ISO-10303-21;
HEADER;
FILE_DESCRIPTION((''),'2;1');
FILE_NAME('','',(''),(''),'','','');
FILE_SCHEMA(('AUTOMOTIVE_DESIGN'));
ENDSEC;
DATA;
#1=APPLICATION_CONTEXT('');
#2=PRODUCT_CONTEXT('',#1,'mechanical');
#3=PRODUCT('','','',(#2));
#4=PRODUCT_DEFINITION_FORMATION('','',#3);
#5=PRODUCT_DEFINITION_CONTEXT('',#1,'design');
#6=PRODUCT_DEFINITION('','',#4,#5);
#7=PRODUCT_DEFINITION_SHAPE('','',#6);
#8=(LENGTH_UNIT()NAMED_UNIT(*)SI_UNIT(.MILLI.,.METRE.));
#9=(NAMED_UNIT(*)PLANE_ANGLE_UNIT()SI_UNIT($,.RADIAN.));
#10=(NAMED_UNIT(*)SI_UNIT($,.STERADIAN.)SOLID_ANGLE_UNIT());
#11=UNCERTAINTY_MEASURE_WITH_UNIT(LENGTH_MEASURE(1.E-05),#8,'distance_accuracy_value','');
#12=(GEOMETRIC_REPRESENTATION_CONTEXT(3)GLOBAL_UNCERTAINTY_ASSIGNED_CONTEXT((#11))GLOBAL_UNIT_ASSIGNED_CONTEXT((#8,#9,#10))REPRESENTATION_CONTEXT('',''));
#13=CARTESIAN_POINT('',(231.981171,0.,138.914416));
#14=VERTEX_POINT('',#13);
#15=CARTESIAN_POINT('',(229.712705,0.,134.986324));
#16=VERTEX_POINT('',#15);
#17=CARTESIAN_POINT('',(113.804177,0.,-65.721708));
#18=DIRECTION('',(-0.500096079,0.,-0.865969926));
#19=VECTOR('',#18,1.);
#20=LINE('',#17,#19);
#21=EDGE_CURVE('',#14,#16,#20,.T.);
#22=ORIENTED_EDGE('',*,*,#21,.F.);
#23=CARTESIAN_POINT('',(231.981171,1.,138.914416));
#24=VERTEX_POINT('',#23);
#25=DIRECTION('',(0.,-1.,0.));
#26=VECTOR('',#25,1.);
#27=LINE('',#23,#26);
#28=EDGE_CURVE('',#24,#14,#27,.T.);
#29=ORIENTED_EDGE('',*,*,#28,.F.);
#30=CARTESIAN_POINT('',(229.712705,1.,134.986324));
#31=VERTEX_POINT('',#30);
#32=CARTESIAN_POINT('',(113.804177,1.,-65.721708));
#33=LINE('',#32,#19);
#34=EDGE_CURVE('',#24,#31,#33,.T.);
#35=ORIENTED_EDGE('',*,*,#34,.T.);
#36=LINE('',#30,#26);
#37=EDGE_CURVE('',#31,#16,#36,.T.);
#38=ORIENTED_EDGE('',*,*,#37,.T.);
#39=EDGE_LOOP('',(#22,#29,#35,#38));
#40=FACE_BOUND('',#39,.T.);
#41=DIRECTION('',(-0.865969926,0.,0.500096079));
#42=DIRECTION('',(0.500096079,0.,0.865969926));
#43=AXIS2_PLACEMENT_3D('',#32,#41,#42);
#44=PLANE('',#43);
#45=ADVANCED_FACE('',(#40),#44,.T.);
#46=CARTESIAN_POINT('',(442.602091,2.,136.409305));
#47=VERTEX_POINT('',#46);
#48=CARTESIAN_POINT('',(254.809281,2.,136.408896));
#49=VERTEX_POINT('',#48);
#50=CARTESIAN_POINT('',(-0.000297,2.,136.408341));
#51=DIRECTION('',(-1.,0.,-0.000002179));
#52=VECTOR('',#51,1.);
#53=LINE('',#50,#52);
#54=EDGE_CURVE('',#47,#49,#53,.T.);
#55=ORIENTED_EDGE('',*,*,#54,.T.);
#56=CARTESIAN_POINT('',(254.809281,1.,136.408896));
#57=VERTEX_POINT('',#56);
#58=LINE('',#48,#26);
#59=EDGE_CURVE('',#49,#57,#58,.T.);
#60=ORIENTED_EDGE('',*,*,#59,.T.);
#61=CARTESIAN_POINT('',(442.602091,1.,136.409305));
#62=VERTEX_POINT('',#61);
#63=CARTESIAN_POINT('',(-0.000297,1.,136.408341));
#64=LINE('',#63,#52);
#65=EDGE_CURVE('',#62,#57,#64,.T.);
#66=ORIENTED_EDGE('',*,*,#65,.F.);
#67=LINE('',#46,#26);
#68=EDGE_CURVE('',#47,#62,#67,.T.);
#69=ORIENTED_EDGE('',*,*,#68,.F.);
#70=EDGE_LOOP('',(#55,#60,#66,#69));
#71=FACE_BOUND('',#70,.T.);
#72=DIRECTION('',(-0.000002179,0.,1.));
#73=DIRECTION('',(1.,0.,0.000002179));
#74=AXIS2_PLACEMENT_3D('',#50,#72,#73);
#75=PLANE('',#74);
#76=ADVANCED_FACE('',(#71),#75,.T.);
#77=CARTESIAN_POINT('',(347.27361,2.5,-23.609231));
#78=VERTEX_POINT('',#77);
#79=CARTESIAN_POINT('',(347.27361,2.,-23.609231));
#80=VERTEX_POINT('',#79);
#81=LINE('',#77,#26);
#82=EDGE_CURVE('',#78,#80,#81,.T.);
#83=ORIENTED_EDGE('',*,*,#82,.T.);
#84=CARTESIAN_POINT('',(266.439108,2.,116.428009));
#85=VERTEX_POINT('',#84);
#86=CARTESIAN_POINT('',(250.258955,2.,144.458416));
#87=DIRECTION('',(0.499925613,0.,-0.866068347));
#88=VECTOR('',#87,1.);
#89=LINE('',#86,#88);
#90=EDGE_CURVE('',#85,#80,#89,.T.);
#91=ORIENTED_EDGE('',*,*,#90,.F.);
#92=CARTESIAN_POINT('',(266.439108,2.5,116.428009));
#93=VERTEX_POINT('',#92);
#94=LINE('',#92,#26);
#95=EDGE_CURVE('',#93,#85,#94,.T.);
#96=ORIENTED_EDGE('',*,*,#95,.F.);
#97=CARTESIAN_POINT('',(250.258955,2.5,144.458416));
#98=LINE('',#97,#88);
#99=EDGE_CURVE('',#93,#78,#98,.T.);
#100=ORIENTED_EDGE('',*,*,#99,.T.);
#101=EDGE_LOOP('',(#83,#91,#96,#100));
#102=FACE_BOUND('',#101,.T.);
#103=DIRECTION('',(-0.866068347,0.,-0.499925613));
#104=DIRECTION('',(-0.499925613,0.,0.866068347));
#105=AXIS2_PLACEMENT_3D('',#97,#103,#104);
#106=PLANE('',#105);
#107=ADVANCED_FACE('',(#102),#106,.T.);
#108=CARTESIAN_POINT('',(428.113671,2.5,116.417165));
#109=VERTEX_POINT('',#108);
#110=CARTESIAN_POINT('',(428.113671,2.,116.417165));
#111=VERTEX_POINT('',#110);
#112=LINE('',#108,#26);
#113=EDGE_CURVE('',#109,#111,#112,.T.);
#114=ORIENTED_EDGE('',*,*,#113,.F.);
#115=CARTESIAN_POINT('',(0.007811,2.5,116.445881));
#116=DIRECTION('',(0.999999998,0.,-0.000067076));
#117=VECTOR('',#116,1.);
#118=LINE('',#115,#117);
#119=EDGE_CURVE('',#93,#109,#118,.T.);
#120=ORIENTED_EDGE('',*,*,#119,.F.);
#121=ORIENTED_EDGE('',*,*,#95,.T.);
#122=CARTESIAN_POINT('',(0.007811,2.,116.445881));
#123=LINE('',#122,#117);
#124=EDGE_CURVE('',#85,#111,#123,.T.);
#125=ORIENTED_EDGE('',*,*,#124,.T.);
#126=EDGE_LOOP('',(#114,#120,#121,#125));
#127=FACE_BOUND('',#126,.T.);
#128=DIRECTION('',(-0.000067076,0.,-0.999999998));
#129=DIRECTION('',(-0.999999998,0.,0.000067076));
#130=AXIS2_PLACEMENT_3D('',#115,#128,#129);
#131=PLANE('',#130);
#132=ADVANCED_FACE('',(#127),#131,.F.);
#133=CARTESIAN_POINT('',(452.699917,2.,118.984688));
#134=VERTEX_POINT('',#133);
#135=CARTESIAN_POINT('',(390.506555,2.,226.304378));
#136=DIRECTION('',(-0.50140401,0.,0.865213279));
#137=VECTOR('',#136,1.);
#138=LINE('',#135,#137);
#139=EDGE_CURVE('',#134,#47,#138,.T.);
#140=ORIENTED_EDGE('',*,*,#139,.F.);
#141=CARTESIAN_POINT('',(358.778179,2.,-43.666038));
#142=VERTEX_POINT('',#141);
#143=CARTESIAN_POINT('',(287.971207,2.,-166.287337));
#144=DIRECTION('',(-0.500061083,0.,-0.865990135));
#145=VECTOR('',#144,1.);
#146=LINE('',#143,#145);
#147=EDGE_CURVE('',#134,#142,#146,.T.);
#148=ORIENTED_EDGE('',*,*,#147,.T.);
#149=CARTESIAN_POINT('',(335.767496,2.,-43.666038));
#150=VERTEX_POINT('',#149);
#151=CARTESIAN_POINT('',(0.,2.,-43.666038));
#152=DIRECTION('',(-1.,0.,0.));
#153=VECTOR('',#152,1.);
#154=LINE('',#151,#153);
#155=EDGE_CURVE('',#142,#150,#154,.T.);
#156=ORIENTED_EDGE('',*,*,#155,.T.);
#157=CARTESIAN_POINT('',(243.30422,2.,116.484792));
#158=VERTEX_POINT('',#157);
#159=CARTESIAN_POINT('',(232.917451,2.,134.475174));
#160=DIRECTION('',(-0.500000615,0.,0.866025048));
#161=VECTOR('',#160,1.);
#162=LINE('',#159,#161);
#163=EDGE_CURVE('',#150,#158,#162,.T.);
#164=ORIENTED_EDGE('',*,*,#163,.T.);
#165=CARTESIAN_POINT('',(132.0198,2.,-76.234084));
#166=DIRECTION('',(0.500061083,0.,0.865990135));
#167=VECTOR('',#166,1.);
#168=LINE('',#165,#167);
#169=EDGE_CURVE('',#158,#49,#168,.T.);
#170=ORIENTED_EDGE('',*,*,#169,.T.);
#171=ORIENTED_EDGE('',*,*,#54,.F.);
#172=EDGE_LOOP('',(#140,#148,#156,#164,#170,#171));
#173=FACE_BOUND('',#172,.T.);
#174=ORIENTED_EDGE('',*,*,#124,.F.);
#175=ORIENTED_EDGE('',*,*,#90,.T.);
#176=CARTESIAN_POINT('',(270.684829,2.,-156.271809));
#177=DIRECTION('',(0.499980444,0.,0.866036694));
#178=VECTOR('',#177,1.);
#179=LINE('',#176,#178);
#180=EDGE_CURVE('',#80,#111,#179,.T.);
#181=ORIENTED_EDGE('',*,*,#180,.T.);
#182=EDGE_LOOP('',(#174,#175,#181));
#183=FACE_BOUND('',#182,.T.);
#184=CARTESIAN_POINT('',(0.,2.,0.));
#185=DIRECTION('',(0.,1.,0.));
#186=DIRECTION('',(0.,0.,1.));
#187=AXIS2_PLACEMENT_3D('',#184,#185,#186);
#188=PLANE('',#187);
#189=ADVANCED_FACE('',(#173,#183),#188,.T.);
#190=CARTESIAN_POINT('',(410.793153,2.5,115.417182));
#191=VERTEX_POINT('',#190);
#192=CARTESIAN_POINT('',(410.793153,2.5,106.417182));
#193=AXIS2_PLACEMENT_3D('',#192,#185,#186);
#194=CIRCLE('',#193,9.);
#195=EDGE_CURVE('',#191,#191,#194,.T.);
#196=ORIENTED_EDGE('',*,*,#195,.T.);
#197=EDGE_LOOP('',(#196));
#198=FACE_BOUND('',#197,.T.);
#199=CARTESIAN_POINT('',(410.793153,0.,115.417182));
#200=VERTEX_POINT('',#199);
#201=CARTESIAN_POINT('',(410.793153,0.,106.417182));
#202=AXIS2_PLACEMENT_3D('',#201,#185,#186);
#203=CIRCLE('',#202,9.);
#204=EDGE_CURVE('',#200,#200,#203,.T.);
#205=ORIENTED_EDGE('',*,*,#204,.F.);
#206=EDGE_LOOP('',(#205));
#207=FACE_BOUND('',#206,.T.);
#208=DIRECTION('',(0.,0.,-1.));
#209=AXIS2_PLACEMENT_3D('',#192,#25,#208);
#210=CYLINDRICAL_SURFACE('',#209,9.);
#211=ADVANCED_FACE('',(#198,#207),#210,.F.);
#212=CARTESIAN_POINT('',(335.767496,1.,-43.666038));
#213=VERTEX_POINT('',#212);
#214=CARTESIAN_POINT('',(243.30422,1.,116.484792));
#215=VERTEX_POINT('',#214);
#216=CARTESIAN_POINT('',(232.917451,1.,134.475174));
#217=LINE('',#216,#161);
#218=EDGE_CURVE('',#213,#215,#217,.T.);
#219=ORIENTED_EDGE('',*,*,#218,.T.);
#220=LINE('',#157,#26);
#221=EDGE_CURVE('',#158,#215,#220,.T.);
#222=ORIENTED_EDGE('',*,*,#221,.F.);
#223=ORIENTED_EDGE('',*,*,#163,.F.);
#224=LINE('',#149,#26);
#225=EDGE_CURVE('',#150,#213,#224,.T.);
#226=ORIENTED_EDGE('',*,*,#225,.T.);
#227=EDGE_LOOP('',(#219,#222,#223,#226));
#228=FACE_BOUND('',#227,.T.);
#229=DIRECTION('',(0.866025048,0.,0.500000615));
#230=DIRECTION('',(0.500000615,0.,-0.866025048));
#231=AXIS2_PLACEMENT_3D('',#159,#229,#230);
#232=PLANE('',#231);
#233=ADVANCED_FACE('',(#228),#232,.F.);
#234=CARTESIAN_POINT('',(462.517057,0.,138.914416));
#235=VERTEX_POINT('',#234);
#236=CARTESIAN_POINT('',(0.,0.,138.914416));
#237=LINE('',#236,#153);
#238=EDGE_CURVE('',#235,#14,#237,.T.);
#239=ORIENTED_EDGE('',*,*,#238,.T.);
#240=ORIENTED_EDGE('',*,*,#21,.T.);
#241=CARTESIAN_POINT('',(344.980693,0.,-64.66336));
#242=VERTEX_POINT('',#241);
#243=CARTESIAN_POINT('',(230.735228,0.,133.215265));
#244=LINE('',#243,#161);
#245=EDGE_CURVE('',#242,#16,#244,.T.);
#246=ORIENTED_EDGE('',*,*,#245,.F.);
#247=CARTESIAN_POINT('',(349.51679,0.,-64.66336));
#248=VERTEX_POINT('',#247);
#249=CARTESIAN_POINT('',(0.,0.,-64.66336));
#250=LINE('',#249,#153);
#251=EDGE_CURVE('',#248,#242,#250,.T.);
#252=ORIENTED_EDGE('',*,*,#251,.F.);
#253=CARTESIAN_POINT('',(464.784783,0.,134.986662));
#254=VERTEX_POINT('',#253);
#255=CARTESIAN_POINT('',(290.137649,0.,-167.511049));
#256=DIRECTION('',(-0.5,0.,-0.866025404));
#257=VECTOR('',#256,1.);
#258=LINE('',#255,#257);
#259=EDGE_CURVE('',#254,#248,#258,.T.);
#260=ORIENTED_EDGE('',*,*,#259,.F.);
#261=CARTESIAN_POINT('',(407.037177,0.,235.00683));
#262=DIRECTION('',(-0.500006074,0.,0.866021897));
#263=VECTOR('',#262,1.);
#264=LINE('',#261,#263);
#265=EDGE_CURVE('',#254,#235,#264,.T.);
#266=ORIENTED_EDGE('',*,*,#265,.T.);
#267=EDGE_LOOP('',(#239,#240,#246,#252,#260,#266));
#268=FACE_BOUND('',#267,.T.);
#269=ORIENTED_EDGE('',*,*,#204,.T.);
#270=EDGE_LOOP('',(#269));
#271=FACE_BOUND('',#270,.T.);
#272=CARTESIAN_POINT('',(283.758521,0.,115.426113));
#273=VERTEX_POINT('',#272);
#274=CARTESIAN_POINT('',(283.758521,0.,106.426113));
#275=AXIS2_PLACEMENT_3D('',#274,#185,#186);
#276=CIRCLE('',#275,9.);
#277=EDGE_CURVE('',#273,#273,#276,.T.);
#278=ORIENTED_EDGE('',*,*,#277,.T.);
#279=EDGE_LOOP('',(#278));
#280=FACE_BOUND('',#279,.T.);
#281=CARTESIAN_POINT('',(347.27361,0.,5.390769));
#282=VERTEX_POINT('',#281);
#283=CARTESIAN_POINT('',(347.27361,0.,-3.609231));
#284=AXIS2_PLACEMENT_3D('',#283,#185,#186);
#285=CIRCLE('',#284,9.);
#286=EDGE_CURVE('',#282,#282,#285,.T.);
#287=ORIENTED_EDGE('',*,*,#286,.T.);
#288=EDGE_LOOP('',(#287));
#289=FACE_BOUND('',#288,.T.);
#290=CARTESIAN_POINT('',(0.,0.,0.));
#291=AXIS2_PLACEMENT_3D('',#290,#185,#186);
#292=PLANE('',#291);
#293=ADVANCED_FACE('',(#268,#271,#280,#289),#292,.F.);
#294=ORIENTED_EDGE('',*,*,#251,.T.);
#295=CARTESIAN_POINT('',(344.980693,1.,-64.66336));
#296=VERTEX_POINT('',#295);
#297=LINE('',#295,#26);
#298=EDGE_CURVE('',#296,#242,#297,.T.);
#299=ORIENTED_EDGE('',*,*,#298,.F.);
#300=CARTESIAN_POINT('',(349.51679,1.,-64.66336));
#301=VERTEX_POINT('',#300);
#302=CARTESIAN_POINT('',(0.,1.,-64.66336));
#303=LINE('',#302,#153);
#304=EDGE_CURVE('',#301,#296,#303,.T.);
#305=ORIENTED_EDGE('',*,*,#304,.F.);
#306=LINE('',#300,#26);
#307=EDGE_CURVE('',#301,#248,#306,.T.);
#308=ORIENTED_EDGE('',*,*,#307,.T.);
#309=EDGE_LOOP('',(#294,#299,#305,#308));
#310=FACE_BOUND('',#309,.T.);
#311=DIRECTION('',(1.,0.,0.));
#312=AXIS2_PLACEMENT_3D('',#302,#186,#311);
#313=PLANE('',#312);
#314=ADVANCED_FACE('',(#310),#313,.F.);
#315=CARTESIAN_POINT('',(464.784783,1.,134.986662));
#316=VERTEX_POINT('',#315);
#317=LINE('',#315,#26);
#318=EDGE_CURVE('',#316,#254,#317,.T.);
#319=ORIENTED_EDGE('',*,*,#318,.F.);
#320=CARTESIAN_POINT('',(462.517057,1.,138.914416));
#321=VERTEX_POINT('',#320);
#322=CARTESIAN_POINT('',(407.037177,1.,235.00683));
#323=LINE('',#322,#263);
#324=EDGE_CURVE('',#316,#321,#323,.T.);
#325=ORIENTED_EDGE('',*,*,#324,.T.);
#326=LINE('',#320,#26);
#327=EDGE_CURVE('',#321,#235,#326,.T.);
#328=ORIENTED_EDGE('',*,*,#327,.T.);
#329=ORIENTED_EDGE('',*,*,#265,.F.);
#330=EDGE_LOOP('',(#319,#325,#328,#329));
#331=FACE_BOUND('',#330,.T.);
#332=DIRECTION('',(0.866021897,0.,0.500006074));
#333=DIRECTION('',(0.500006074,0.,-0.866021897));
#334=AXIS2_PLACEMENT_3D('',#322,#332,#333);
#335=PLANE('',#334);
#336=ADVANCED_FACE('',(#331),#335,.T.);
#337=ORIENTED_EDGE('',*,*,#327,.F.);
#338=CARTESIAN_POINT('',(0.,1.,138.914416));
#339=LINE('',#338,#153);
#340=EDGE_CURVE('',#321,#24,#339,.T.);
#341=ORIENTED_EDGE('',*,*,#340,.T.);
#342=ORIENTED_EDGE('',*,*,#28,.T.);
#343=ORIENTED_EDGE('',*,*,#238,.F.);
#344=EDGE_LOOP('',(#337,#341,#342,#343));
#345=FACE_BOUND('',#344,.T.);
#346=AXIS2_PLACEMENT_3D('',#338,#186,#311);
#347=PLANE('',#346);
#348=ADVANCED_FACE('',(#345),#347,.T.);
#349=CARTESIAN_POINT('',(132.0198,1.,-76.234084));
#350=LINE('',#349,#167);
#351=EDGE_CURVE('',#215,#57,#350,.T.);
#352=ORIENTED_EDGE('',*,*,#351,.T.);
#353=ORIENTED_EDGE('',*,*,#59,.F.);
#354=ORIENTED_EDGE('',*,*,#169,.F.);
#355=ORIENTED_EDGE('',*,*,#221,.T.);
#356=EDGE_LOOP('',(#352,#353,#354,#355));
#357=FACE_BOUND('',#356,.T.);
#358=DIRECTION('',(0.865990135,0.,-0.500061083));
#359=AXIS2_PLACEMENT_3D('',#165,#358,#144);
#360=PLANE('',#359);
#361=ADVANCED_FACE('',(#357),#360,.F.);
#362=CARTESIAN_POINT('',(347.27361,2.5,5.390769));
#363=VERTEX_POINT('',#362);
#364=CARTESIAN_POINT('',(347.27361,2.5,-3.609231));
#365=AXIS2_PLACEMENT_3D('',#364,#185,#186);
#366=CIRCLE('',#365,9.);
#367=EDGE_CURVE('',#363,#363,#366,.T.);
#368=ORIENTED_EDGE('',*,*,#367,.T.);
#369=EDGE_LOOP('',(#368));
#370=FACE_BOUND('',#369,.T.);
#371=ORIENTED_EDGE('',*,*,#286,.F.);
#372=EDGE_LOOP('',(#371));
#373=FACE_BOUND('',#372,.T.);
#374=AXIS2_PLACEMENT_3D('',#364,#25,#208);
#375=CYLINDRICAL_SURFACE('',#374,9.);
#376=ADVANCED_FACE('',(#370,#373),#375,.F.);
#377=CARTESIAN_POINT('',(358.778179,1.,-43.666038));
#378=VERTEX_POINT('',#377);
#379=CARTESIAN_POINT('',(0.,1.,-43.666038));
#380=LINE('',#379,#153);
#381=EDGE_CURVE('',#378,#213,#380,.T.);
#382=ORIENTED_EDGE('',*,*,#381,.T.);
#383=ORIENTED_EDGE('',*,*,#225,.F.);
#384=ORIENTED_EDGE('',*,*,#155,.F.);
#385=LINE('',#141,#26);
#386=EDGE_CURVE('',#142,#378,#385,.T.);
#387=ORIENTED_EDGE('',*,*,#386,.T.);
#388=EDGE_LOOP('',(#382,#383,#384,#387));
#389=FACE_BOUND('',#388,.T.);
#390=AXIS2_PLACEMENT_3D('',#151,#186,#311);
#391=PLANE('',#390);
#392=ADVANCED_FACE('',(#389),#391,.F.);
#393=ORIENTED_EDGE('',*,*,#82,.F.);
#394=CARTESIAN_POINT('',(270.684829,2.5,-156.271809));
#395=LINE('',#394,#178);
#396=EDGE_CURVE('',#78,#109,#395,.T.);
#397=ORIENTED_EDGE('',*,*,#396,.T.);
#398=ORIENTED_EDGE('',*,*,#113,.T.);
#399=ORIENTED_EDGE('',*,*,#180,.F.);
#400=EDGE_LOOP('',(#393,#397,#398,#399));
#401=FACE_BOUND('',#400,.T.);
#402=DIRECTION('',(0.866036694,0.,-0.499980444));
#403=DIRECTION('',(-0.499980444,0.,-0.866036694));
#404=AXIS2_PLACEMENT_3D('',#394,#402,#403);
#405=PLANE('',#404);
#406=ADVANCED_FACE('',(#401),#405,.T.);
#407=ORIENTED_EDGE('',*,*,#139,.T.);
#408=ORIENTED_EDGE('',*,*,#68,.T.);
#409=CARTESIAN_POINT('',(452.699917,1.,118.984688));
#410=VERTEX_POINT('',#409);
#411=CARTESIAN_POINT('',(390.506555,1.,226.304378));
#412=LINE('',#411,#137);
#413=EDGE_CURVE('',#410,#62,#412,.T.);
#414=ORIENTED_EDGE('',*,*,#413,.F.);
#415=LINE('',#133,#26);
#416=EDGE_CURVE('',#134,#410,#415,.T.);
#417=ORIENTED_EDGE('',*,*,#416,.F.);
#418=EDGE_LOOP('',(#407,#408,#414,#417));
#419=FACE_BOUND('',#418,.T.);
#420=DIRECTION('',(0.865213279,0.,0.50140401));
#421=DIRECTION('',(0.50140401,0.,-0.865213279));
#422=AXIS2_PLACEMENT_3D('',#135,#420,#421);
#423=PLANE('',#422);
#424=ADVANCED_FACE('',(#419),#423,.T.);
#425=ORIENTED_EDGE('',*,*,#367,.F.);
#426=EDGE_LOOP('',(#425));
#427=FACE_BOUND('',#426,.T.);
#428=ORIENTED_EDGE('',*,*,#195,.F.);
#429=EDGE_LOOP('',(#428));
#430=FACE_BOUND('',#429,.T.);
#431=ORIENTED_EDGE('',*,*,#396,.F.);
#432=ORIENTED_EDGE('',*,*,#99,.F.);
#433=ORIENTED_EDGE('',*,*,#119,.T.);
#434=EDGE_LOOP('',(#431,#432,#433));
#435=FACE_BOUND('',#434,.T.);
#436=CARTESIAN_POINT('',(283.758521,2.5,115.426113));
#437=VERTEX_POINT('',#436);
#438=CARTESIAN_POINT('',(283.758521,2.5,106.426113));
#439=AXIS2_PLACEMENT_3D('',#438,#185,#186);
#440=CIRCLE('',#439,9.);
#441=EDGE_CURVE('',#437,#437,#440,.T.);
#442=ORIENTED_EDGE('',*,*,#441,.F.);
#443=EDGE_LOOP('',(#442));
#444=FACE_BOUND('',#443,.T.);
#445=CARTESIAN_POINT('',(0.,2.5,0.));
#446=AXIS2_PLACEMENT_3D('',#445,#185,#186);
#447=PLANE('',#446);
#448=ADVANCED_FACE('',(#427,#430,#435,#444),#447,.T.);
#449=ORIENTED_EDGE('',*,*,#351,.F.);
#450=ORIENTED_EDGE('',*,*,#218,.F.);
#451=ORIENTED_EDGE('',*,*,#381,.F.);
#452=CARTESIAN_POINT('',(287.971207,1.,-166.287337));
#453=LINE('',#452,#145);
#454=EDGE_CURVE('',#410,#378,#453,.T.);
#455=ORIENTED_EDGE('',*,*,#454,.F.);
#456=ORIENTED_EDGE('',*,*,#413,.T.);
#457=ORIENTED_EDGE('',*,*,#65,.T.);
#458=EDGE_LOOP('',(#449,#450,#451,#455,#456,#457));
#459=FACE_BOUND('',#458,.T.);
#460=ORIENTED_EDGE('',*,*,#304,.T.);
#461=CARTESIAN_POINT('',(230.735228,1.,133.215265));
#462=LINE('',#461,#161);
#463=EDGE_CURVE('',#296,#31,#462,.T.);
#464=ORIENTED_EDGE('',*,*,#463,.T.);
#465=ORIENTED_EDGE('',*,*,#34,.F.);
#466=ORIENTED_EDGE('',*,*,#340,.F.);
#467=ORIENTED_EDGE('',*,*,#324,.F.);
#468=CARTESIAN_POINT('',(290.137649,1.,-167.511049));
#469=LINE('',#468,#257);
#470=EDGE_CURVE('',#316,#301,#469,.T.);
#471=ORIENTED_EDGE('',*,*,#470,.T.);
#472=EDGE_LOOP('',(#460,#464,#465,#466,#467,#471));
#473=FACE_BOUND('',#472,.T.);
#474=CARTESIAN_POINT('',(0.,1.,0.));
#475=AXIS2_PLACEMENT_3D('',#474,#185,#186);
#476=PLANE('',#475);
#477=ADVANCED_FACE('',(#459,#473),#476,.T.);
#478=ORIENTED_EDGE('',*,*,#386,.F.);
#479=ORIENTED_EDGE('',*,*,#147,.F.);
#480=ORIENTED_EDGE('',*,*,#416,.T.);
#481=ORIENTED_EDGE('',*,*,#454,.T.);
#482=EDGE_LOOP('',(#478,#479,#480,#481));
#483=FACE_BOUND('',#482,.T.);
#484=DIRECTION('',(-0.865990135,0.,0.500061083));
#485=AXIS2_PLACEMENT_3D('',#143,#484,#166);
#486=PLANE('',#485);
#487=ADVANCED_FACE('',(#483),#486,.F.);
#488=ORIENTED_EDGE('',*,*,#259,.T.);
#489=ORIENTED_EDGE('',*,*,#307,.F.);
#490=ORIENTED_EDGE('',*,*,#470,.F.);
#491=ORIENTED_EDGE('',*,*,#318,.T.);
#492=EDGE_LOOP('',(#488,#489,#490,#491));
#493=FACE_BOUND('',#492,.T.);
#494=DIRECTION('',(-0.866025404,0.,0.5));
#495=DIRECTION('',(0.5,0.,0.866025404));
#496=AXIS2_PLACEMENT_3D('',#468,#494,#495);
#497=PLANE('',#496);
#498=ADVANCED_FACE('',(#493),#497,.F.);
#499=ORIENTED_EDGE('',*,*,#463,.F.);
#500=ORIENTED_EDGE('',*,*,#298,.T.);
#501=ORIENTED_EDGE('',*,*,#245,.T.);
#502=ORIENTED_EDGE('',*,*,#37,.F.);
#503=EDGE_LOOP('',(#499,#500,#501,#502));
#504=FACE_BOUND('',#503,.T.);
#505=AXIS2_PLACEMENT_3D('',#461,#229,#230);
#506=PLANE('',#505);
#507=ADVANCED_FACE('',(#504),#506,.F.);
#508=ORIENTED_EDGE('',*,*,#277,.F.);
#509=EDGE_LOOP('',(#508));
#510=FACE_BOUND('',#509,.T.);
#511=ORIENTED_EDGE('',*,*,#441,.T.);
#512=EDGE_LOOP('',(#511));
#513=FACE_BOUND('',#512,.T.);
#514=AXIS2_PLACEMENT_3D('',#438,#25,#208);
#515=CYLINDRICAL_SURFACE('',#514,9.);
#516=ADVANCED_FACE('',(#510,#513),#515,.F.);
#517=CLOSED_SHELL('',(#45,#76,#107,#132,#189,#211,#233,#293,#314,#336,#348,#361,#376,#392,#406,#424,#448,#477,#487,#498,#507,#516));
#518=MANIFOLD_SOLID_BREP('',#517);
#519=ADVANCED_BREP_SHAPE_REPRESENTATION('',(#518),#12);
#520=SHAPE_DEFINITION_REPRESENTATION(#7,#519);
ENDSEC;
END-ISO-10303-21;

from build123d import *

# Parameters (mm, degrees)
BOSS_EXTRUDE1_DEPTH = 1
BOSS_EXTRUDE2_DEPTH = 2
SKETCH1_13_R        = 9
BOSS_EXTRUDE3_DEPTH = 2.5


with BuildPart() as part:
    # Sketch1 → Boss-Extrude1 (new body)
    with BuildSketch(Plane(origin=(0, 0, 0), x_dir=(1, 0, 0), z_dir=(0, 1, 0))):
        Polygon((229.712705007, -134.986323544), (231.981171214, -138.914415757), (462.517056767, -138.914415757), (464.784783451, -134.986661544), (349.516789508, 64.663360453), (344.980692969, 64.663360453), align=None)
        Polygon((254.809280576, -136.408896139), (243.304219773, -116.484791866), (335.767496284, 43.666038066), (358.778179035, 43.666038066), (452.699916625, -118.984688015), (442.602090749, -136.409305398), align=None, mode=Mode.SUBTRACT)
    extrude(amount=BOSS_EXTRUDE1_DEPTH)

    # Sketch1<12> → Boss-Extrude2 (add)
    with BuildSketch(Plane(origin=(0, 0, 0), x_dir=(1, 0, 0), z_dir=(0, 1, 0))):
        Polygon((335.767496284, 43.666038066), (243.304219773, -116.484791866), (254.809280576, -136.408896139), (442.602090749, -136.409305398), (452.699916625, -118.984688015), (358.778179035, 43.666038066), align=None)
        Polygon((428.113670918, -116.417164681), (266.439108268, -116.428009241), (347.273609729, 23.609230825), align=None, mode=Mode.SUBTRACT)
    extrude(amount=BOSS_EXTRUDE2_DEPTH)

    # Sketch1<13> → Boss-Extrude3 (add)
    with BuildSketch(Plane(origin=(0, 0, 0), x_dir=(1, 0, 0), z_dir=(0, 1, 0))):
        Polygon((347.273609729, 23.609230825), (266.439108268, -116.428009241), (428.113670918, -116.417164681), align=None)
        with Locations((283.758521159, -106.426112565)):
            Circle(SKETCH1_13_R, mode=Mode.SUBTRACT)
        with Locations((410.793152563, -106.417182487)):
            Circle(SKETCH1_13_R, mode=Mode.SUBTRACT)
        with Locations((347.273609729, 3.609230825)):
            Circle(SKETCH1_13_R, mode=Mode.SUBTRACT)
    extrude(amount=BOSS_EXTRUDE3_DEPTH)


solid = part.part
